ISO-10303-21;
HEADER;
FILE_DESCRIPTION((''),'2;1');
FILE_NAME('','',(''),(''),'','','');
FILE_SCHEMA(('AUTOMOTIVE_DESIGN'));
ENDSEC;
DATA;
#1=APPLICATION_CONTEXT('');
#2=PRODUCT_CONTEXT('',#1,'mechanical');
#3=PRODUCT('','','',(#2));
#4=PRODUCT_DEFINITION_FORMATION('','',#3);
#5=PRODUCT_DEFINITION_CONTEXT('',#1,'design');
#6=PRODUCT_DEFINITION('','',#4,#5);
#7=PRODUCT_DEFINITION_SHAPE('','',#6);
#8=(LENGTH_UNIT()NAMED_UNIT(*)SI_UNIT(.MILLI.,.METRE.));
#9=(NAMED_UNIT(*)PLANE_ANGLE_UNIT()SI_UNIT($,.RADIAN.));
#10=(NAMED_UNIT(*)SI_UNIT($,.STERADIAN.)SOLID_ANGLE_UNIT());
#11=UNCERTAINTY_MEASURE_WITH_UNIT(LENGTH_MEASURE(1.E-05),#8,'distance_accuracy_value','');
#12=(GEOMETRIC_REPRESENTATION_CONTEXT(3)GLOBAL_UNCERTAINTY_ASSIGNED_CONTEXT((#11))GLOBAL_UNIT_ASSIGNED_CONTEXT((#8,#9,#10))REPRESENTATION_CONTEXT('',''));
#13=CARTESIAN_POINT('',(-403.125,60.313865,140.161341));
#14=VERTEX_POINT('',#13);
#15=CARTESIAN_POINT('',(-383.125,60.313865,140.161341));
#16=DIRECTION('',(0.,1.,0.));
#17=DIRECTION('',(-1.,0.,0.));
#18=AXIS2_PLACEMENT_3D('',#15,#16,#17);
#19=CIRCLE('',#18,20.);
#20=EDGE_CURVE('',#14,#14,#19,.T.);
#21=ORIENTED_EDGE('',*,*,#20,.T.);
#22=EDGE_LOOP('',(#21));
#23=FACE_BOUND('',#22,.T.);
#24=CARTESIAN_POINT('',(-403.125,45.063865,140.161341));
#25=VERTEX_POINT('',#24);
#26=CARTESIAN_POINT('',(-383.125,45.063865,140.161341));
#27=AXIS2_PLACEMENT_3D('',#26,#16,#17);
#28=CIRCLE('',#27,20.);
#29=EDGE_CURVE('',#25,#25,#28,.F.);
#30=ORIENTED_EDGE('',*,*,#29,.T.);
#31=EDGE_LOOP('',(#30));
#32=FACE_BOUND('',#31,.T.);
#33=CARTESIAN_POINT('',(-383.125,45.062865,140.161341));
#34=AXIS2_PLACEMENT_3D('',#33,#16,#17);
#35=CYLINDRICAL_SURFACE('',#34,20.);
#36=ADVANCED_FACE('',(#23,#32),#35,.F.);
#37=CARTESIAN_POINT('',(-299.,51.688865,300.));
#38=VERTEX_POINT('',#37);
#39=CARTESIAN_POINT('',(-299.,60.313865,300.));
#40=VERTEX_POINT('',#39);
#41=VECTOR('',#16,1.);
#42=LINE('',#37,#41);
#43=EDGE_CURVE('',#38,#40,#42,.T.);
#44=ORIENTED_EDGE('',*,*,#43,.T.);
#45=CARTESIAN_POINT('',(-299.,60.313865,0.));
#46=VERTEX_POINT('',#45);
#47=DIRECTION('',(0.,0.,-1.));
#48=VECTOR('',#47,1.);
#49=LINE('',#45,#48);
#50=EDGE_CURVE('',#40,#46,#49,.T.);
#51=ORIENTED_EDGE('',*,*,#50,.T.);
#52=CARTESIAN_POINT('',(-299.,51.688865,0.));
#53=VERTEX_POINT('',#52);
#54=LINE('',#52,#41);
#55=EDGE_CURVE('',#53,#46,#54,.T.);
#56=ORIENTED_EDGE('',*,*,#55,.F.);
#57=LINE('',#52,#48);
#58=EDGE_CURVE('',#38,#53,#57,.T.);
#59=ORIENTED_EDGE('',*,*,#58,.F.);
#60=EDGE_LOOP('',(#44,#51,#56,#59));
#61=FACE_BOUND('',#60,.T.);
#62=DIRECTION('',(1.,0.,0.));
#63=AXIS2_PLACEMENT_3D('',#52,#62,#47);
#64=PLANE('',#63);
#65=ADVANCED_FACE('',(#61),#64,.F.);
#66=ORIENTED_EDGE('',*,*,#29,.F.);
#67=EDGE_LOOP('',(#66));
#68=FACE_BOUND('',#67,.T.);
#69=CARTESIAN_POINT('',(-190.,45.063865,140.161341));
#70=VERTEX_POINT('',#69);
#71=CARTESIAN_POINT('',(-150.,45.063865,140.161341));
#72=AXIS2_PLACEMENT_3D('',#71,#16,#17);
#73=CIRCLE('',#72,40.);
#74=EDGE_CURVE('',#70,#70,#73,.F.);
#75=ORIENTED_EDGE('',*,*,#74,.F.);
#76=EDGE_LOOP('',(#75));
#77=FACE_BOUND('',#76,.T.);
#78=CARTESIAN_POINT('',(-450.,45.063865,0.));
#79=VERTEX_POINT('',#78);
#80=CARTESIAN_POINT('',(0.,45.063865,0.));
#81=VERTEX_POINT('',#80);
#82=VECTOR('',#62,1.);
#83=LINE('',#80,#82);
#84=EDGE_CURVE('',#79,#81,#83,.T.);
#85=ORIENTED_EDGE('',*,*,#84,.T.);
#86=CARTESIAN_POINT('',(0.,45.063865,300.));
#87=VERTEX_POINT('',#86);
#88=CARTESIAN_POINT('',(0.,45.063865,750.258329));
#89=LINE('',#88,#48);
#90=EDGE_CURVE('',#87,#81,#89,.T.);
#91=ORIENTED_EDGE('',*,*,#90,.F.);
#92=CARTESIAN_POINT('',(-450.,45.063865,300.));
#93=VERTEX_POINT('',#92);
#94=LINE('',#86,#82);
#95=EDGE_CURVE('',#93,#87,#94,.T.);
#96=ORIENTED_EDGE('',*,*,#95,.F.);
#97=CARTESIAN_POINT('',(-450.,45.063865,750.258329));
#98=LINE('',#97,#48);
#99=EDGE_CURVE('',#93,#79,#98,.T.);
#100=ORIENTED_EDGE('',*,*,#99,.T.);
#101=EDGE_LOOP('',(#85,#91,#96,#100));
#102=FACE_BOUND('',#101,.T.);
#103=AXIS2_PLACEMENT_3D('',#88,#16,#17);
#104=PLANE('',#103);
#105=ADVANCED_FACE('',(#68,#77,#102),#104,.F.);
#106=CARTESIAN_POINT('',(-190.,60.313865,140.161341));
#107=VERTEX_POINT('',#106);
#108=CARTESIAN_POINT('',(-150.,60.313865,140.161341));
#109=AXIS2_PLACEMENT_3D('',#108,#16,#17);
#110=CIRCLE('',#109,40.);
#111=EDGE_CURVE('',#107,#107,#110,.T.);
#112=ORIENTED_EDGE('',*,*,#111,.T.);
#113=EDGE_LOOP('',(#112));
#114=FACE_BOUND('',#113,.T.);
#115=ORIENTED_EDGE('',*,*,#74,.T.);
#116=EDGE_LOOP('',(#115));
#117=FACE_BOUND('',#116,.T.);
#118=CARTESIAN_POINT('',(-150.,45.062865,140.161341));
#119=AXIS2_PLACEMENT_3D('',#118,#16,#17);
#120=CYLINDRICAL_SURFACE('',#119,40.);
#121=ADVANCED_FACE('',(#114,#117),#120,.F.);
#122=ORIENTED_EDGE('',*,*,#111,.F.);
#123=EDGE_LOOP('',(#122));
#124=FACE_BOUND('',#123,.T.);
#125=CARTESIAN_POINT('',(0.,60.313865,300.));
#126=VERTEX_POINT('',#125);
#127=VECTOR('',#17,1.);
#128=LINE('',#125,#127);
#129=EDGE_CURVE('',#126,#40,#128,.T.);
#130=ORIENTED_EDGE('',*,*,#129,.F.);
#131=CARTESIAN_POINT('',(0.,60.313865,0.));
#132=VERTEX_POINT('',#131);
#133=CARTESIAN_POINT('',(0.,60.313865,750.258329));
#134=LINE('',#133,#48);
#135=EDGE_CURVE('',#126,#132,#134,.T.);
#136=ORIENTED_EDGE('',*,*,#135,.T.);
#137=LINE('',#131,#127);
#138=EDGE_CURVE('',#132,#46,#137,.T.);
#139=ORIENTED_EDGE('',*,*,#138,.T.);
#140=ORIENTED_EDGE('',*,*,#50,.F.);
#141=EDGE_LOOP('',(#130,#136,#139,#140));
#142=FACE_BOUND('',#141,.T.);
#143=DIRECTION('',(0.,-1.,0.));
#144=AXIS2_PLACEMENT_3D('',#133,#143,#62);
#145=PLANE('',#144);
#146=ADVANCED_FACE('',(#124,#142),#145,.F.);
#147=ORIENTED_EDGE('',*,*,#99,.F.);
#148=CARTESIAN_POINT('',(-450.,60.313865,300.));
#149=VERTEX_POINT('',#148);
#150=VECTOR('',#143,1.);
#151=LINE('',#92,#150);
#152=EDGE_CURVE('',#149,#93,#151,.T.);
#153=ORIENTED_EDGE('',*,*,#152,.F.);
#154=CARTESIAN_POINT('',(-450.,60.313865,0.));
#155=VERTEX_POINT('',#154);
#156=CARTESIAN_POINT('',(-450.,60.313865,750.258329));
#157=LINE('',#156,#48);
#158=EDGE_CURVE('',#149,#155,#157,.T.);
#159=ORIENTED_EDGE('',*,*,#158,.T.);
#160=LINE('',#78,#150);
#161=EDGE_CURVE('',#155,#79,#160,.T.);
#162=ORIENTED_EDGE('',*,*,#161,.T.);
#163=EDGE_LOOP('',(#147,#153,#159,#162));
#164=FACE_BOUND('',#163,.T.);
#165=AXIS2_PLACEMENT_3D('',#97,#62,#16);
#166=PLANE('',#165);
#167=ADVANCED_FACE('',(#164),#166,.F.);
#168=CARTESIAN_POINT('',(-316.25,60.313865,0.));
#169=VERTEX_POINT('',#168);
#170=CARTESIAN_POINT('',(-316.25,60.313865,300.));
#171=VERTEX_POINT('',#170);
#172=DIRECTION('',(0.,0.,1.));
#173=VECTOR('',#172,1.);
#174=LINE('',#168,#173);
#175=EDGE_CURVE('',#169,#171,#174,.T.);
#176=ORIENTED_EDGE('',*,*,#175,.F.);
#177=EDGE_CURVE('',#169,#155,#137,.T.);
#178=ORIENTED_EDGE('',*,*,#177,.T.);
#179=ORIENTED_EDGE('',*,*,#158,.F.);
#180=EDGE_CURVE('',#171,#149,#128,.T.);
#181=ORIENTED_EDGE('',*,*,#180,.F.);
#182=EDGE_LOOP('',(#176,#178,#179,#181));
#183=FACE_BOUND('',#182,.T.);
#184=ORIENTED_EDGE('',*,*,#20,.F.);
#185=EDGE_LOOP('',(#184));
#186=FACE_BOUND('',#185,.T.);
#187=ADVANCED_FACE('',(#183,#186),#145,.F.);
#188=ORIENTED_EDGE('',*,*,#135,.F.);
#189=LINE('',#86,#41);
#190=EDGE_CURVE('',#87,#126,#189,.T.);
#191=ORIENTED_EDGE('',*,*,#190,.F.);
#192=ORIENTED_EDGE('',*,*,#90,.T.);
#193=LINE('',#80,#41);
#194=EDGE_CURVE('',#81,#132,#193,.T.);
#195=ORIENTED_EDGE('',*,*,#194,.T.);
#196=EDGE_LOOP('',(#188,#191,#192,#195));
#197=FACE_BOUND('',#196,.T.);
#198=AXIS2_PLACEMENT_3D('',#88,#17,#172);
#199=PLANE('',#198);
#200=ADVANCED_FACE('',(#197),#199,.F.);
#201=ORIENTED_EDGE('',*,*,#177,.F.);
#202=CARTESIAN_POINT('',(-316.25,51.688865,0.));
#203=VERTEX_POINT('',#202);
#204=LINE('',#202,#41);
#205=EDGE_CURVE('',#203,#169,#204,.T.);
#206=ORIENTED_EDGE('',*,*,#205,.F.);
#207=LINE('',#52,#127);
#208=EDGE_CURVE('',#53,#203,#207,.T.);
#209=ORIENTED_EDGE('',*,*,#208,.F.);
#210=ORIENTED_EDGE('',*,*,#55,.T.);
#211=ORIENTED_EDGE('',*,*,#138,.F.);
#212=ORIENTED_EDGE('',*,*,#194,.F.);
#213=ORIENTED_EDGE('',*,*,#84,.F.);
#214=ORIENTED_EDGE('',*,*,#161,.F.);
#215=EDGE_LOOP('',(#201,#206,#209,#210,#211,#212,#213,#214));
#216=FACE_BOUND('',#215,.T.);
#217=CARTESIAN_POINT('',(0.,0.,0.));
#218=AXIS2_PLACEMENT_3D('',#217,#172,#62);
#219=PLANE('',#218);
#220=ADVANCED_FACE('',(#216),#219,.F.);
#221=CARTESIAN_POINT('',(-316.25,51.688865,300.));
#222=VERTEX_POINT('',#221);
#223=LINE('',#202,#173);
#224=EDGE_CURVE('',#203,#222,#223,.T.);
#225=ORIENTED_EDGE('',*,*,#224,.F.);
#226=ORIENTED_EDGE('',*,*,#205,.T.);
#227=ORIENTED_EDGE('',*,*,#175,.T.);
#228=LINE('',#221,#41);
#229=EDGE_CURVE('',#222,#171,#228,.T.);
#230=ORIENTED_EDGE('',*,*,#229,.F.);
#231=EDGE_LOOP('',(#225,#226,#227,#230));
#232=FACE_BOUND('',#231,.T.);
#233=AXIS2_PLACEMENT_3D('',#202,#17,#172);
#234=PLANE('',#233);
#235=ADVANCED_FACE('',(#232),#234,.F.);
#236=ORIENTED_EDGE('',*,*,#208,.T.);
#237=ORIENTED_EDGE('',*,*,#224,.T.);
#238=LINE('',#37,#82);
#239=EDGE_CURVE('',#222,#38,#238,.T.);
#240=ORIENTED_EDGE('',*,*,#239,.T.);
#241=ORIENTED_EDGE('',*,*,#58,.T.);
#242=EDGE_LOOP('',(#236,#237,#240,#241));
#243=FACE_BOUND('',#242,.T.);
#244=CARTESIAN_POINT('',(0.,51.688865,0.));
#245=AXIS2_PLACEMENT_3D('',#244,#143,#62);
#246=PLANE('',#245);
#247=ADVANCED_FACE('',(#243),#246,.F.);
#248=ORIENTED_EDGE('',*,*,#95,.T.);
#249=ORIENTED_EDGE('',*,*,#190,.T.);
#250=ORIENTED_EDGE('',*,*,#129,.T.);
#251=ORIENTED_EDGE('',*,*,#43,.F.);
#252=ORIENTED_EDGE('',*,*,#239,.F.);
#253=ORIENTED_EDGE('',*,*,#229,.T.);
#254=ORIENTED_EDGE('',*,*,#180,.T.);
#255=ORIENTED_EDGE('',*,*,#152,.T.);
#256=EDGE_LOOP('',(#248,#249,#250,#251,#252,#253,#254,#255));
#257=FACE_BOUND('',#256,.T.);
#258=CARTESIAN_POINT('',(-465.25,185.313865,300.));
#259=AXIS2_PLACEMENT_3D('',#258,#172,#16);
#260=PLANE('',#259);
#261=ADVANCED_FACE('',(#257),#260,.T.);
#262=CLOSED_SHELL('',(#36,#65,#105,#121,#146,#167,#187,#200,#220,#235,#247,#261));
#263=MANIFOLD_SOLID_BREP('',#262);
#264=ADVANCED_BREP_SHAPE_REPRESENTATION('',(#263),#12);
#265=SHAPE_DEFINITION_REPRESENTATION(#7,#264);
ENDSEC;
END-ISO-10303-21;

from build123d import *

# Parameters (mm, degrees)
ESQUISSE1_W             = 450
ESQUISSE1_H             = 15.25
BOSS_EXTRU_1_DEPTH      = 300
ESQUISSE2_W             = 17.25
ESQUISSE2_H             = 300
ENL_V_MAT_EXTRU_1_DEPTH = 8.625
ENL_V_MAT_EXTRU_2_REACH = 17.25
ESQUISSE3_R             = 40
ESQUISSE3_R_2           = 20


with BuildPart() as part:
    # Esquisse1 → Boss.-Extru.1 (new body)
    with BuildSketch(Plane.XY):
        with Locations((-225, 52.688864629)):
            Rectangle(ESQUISSE1_W, ESQUISSE1_H)
    extrude(amount=BOSS_EXTRU_1_DEPTH)

    # Esquisse2 → Enlèv. mat.-Extru.1 (cut)
    with BuildSketch(Plane(origin=(0, 60.313864629, 0), x_dir=(1, 0, 0), z_dir=(0, 1, 0))):
        with Locations((-307.625, -150)):
            Rectangle(ESQUISSE2_W, ESQUISSE2_H)
    extrude(amount=-ENL_V_MAT_EXTRU_1_DEPTH, mode=Mode.SUBTRACT)

    # Esquisse3 → Enlèv. mat.-Extru.2 (cut, up to next)
    with BuildSketch(Plane(origin=(0, 60.313864629, 0), x_dir=(1, 0, 0), z_dir=(0, 1, 0)), mode=Mode.PRIVATE) as enl_v_mat_extru_2_sk1:
        with Locations((-150, -140.161341078)):
            Circle(ESQUISSE3_R)
    enl_v_mat_extru_2_tool1 = extrude(enl_v_mat_extru_2_sk1.sketch, amount=-ENL_V_MAT_EXTRU_2_REACH, mode=Mode.PRIVATE) & part.part
    add(enl_v_mat_extru_2_tool1.solids().sort_by_distance((-150, 60.313865, 140.161341))[0], mode=Mode.SUBTRACT)
    # Esquisse3 → Enlèv. mat.-Extru.2 (cut, up to next)
    with BuildSketch(Plane(origin=(0, 60.313864629, 0), x_dir=(1, 0, 0), z_dir=(0, 1, 0)), mode=Mode.PRIVATE) as enl_v_mat_extru_2_sk2:
        with Locations((-383.125, -140.161341078)):
            Circle(ESQUISSE3_R_2)
    enl_v_mat_extru_2_tool2 = extrude(enl_v_mat_extru_2_sk2.sketch, amount=-ENL_V_MAT_EXTRU_2_REACH, mode=Mode.PRIVATE) & part.part
    add(enl_v_mat_extru_2_tool2.solids().sort_by_distance((-383.125, 60.313865, 140.161341))[0], mode=Mode.SUBTRACT)


solid = part.part
